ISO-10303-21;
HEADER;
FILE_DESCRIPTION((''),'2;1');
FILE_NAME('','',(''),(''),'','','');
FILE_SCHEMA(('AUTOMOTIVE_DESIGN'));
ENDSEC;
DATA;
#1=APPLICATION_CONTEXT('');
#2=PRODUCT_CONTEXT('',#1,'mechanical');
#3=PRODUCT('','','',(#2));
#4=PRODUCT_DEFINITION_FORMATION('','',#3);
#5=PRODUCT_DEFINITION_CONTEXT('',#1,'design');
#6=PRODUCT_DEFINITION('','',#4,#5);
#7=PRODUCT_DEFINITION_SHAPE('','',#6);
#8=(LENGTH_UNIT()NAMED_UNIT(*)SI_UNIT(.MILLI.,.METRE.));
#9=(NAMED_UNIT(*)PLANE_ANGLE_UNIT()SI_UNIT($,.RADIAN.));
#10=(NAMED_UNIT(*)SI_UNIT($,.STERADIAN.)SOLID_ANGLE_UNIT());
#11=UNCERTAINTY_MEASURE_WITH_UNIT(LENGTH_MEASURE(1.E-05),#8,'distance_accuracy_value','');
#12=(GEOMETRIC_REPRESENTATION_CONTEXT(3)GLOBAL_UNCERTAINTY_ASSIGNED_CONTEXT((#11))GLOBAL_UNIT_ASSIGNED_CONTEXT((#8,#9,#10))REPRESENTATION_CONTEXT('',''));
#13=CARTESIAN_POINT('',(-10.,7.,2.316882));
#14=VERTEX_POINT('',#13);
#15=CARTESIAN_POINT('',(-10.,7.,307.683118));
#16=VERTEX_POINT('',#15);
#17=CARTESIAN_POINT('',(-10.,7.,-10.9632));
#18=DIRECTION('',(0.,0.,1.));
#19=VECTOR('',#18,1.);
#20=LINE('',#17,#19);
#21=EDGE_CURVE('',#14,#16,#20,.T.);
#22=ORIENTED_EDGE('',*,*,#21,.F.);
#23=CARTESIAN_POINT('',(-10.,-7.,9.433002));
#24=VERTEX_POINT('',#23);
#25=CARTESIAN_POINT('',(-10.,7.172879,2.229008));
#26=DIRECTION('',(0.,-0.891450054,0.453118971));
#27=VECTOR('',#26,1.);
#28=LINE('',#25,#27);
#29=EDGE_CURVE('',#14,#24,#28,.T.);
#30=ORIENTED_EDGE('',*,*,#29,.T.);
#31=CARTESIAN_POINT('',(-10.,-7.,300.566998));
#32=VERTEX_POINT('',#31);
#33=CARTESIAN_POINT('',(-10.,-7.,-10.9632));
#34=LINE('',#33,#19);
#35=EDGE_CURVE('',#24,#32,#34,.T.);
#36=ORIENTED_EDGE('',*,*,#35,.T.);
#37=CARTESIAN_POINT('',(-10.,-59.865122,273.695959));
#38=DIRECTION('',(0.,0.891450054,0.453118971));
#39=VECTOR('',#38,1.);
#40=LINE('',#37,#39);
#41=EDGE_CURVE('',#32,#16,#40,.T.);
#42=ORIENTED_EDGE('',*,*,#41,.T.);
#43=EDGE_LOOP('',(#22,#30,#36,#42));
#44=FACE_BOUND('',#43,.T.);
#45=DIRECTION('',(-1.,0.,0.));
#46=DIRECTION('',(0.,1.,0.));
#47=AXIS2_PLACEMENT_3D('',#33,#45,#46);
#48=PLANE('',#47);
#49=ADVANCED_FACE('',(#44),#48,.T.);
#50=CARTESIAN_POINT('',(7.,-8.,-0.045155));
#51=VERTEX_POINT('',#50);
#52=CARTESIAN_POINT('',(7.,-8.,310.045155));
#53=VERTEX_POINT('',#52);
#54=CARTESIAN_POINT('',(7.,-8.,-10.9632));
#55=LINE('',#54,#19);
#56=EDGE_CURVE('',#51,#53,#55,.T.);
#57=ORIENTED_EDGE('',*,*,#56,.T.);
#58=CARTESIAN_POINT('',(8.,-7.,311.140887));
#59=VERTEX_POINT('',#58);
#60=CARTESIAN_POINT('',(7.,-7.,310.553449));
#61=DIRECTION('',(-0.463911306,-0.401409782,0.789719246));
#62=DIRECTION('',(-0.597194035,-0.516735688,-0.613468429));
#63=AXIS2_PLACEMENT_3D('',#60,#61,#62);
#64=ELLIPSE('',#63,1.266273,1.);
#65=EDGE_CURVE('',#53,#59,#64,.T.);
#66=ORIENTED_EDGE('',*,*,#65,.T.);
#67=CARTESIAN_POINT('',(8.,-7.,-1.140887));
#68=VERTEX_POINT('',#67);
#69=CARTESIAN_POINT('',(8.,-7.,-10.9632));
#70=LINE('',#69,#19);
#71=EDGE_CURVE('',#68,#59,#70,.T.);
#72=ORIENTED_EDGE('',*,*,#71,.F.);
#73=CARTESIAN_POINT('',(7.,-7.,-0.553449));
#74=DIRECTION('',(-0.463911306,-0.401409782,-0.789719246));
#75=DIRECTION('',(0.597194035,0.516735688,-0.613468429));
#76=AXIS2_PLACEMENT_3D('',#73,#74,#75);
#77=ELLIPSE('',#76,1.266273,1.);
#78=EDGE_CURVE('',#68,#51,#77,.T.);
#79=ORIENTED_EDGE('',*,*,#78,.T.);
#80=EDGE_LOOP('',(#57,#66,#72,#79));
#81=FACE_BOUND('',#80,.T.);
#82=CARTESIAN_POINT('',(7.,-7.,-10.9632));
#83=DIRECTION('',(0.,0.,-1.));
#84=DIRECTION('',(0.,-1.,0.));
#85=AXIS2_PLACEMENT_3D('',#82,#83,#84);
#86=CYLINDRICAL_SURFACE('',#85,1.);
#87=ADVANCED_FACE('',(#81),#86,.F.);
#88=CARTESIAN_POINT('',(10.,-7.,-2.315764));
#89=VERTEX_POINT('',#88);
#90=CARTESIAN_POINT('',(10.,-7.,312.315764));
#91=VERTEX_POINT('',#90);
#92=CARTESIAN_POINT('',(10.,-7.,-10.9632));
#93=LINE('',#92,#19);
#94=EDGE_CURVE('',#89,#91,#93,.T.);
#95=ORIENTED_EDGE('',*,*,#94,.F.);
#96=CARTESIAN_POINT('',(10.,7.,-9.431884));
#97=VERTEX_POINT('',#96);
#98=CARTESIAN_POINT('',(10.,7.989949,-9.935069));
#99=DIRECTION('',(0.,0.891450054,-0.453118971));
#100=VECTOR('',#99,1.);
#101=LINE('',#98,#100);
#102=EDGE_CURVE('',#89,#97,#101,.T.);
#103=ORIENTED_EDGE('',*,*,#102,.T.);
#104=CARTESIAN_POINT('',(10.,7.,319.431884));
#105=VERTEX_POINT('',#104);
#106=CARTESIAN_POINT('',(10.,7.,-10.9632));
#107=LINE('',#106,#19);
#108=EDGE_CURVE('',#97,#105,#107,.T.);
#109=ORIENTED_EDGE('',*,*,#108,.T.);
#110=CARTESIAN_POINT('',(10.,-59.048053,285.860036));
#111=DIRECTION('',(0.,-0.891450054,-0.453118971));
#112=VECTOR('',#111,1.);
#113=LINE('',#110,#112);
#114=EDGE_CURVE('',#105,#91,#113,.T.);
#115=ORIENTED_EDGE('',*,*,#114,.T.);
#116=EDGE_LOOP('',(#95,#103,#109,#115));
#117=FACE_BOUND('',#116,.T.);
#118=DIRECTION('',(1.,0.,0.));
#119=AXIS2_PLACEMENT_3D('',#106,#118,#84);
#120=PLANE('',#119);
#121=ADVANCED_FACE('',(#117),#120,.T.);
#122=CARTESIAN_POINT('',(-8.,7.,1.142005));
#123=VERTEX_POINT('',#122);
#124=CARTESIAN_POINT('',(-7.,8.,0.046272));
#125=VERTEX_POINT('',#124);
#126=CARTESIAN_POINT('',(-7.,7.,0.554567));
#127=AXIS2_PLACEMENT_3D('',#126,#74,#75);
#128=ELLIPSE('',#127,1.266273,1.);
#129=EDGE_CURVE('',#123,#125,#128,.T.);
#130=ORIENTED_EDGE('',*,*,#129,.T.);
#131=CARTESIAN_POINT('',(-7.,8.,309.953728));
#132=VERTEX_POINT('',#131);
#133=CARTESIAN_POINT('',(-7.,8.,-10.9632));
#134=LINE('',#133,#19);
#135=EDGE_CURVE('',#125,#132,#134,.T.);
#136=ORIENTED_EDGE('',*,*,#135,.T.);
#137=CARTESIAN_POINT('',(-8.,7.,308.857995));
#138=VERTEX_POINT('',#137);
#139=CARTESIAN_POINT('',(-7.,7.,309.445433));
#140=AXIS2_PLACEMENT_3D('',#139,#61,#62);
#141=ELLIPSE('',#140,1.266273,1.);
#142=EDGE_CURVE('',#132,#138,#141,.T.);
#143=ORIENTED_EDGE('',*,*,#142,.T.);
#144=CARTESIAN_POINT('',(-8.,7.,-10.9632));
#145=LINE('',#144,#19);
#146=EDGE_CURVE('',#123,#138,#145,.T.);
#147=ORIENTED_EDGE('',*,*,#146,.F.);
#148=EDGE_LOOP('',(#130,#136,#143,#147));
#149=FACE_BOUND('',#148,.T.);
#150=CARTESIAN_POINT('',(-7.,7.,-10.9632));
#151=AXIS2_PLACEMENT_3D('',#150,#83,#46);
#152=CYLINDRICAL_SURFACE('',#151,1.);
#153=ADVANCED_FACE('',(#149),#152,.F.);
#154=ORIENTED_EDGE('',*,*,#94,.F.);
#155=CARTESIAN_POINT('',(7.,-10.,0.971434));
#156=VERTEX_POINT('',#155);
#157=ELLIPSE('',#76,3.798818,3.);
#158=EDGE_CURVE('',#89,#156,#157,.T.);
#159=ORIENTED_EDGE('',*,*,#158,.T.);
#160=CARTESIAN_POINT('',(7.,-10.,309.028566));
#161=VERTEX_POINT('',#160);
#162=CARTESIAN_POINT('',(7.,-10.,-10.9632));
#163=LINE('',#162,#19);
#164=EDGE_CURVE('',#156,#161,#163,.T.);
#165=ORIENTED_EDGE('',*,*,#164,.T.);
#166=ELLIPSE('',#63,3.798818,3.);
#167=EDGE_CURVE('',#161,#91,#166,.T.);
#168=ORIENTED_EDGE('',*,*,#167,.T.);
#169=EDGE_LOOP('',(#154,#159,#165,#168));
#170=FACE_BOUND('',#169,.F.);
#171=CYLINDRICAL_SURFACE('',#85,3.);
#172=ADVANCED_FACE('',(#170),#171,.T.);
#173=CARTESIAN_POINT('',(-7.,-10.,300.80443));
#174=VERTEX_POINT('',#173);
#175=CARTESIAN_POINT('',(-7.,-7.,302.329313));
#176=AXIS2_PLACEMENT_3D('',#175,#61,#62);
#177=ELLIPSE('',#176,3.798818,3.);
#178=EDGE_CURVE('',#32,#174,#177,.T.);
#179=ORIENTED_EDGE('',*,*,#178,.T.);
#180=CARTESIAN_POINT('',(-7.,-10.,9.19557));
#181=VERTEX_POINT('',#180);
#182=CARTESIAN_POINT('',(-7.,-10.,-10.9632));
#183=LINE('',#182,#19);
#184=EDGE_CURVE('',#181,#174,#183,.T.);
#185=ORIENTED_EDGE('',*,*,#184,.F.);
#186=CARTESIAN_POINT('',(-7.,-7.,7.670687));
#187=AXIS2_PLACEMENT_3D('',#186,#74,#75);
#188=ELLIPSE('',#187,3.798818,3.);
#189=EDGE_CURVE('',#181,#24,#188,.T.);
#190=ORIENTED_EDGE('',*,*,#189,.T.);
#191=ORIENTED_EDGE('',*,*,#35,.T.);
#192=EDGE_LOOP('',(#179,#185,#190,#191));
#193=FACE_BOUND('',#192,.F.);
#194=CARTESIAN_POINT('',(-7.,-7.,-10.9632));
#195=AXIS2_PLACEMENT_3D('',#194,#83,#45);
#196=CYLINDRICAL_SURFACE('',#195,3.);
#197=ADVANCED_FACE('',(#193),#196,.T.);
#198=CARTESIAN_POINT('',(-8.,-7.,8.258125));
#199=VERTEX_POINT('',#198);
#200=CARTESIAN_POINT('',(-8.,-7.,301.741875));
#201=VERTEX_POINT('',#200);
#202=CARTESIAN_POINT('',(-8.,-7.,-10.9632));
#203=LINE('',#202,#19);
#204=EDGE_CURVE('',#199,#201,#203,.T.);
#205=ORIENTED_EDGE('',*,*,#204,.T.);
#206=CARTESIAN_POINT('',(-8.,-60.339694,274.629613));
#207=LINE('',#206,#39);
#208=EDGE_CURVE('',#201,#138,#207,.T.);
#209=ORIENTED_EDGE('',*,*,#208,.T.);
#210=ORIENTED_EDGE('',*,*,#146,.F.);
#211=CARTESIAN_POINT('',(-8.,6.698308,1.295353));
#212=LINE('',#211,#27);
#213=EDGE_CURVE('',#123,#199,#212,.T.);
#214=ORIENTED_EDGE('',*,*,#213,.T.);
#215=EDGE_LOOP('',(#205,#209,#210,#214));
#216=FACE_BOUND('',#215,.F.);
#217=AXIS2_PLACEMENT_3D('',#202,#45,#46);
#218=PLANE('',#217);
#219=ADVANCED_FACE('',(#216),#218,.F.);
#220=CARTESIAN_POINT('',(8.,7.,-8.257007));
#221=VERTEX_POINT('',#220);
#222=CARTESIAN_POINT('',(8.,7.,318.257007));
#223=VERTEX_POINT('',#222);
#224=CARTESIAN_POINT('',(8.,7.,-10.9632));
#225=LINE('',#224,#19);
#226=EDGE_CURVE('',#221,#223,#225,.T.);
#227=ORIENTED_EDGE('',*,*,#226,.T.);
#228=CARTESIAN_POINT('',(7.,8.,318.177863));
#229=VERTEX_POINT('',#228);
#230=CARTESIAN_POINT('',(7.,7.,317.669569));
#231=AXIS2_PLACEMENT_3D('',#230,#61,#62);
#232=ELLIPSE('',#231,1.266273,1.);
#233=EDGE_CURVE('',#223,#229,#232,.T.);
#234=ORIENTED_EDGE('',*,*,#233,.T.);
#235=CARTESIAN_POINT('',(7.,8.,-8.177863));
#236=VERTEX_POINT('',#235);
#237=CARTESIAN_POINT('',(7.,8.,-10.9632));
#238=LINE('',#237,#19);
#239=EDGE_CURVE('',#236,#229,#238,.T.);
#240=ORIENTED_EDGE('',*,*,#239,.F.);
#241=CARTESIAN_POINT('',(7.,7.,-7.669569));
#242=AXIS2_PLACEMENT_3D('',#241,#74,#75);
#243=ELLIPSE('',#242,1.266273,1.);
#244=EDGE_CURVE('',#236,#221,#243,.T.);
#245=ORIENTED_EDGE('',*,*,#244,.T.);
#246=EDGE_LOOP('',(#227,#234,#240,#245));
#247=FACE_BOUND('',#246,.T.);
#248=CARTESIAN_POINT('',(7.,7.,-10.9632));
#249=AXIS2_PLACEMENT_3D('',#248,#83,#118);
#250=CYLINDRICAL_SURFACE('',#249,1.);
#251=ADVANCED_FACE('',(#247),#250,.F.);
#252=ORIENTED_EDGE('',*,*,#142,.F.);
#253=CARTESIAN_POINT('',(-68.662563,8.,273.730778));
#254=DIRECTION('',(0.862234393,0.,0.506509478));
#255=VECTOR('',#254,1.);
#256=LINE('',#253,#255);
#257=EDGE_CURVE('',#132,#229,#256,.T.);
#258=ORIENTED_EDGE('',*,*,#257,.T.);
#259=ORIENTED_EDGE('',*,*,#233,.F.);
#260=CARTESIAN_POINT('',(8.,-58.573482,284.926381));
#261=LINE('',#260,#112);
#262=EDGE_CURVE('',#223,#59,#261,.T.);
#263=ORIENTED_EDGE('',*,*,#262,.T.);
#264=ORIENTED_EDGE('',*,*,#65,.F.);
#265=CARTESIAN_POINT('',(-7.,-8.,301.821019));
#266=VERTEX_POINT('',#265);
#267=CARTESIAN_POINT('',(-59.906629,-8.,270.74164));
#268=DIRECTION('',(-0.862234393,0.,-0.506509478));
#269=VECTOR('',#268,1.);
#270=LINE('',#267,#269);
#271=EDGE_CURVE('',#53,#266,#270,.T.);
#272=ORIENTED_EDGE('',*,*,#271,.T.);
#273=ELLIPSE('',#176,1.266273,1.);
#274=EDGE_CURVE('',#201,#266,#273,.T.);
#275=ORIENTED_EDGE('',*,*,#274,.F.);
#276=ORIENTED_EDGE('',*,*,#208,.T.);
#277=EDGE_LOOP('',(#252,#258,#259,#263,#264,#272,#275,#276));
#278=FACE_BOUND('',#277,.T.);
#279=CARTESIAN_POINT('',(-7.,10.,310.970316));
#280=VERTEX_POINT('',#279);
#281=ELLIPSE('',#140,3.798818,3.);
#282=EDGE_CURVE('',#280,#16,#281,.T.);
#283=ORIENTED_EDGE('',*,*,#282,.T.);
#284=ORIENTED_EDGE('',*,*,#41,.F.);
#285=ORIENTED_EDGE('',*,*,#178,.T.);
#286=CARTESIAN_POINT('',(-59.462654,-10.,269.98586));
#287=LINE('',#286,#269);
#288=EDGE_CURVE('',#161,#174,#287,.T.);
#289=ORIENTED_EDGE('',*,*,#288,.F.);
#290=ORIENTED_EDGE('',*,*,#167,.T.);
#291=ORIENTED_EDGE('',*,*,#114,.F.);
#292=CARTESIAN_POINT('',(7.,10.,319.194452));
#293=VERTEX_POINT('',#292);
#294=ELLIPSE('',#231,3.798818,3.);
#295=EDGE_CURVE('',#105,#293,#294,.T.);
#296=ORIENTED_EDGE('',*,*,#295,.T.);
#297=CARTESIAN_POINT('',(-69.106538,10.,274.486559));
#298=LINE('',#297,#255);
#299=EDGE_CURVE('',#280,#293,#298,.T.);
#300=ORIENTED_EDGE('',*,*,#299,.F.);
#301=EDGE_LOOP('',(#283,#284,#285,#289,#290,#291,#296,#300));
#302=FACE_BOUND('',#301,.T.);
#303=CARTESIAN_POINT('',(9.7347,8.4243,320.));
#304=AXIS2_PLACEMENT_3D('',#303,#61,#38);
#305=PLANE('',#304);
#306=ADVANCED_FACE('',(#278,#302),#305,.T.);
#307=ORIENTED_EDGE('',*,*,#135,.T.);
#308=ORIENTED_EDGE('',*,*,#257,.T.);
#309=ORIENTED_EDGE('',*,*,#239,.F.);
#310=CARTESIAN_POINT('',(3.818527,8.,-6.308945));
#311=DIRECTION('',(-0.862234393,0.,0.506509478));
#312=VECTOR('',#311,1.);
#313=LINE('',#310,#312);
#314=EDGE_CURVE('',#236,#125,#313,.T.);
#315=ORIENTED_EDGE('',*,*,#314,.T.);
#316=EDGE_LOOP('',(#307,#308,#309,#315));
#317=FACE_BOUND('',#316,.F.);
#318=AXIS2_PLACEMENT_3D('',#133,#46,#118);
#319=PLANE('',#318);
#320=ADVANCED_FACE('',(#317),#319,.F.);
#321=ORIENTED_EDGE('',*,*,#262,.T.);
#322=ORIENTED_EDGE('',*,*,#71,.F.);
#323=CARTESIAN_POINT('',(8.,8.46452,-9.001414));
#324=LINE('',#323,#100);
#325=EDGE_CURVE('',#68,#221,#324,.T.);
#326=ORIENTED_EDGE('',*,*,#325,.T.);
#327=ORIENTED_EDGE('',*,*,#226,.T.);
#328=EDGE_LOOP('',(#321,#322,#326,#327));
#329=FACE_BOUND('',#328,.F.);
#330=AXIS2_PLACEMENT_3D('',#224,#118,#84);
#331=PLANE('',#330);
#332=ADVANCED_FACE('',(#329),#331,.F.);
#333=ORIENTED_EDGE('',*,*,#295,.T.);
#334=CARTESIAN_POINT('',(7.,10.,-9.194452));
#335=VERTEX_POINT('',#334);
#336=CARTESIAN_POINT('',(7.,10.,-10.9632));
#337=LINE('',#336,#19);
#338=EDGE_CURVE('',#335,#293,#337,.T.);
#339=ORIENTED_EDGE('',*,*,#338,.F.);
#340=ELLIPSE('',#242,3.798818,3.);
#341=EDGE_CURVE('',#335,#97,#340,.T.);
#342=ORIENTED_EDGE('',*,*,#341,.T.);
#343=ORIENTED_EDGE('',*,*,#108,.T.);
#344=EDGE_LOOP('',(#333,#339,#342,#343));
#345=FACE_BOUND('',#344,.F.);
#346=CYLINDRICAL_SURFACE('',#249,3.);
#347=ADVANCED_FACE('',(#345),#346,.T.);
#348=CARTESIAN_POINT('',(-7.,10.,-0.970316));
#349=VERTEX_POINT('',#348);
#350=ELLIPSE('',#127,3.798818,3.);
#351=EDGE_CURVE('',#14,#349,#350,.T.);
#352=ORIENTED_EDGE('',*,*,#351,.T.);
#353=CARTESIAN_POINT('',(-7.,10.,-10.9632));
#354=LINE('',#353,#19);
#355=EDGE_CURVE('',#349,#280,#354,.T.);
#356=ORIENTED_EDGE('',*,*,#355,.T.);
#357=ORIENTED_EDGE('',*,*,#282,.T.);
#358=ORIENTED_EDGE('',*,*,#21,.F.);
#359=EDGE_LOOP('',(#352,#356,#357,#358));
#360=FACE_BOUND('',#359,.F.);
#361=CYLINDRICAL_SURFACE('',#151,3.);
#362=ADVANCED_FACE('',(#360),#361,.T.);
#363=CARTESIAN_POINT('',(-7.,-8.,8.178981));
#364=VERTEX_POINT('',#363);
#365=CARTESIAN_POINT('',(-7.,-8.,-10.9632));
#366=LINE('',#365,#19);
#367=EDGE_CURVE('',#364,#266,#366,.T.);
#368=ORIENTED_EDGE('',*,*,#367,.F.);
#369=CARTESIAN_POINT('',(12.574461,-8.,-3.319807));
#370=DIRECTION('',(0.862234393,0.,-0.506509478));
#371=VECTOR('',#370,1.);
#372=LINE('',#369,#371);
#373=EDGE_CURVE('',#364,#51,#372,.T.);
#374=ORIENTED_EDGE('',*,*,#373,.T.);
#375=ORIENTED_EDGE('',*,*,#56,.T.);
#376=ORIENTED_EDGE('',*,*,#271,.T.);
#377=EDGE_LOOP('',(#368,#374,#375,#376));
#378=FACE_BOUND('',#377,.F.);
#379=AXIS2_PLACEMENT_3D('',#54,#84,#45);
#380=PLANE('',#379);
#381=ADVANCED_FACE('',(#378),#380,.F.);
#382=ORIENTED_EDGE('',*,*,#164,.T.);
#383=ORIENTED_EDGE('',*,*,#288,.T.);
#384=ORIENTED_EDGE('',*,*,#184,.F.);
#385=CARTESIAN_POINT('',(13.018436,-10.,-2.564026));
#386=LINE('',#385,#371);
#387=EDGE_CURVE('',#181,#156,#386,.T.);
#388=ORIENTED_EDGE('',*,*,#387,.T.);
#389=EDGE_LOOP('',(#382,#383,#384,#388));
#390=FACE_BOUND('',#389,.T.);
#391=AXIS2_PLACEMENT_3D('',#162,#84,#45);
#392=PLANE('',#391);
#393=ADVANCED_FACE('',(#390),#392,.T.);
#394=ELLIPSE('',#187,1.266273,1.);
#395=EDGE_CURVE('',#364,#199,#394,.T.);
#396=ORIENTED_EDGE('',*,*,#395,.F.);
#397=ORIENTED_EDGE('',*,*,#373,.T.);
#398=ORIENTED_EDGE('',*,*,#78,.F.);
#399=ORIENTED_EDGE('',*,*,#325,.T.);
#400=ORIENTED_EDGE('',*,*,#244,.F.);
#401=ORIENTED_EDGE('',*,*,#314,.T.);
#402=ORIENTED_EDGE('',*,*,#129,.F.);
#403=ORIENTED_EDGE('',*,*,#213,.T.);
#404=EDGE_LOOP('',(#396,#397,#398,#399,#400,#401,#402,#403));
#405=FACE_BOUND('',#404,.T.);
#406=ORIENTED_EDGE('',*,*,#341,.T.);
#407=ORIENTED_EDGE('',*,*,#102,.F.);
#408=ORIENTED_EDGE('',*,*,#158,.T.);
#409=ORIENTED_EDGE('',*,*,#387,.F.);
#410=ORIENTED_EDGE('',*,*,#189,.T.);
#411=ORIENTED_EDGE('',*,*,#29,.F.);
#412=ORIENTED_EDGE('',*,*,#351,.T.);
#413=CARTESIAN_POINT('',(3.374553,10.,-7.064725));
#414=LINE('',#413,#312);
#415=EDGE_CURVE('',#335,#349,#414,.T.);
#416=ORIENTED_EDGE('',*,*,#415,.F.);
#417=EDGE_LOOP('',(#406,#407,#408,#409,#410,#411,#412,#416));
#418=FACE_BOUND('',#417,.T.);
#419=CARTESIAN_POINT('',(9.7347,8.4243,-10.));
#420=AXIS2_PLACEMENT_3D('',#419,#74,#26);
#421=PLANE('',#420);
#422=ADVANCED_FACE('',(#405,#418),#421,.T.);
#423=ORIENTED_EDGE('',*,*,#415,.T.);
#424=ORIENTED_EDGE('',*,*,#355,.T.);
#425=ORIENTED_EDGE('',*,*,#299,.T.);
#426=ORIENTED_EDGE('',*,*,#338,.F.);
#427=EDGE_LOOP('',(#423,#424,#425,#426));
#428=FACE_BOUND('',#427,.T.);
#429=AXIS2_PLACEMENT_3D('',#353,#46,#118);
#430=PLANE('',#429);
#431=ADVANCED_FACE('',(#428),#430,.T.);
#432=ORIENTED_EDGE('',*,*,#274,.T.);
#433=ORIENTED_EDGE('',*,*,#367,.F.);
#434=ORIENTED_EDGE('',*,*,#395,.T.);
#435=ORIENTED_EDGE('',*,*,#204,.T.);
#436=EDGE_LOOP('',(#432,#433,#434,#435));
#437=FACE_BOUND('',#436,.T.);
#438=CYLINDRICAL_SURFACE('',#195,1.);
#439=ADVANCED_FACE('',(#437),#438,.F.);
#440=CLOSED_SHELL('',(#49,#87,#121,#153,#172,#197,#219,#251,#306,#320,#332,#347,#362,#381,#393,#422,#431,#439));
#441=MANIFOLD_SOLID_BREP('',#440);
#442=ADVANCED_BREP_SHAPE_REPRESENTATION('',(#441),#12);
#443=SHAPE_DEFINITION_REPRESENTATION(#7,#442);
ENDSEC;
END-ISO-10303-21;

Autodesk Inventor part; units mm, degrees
ref_plane "Start Plane" through (0, 0, -10.9632) normal (0, 0, 1) x (1, 0, 0)
ref_plane "End Plane" through (0, 0, 320.9632) normal (0, 0, 1) x (1, 0, 0)
sketch "Sketch" plane through (0, 0, 0) normal (0, 0, 1) x (1, 0, 0)
  line L0 (-10, -7) -> (-10, 7)
  line L1 (-7, 10) -> (7, 10)
  line L2 (10, 7) -> (10, -7)
  line L3 (7, -10) -> (-7, -10)
  arc A0 (-10, -7) -> (-7, -10) centre (-7, -7) ccw
  arc A1 (-7, 10) -> (-10, 7) centre (-7, 7) ccw
  arc A2 (10, 7) -> (7, 10) centre (7, 7) ccw
  arc A3 (7, -10) -> (10, -7) centre (7, -7) ccw
  arc A4 (-7, 8) -> (-8, 7) centre (-7, 7) ccw
  line L4 (-7, 8) -> (7, 8)
  arc A5 (8, 7) -> (7, 8) centre (7, 7) ccw
  line L5 (8, 7) -> (8, -7)
  arc A6 (7, -8) -> (8, -7) centre (7, -7) ccw
  line L6 (7, -8) -> (-7, -8)
  arc A7 (-8, -7) -> (-7, -8) centre (-7, -7) ccw
  line L7 (-8, -7) -> (-8, 7)
  line L8 (0, 14.8698) -> (0, -14.8698) construction
  line L9 (-14.8698, 0) -> (14.8698, 0) construction
  dimension "d7" = 3
  dimension "d10" = 20
  dimension "d11" = 20
  dimension "d12" = 2
  dimension "d15" = 10
  dimension "d16" = 10
extrude "Body" add sketch "Sketch" along normal up to surface (331.9264 mm away) from surface at -10.9632
sketch "Sketch3" plane through (0, 0, 0) normal (0, 0, 1) x (1, 0, 0)
  line L0 (0, 0) -> (10, 0)
ref_plane "Work Plane3" through (0, 0, 0) normal (0, -1, 0) x (1, 0, 0)
sketch "Sketch4" plane through (0, 0, 0) normal (0, -1, 0) x (1, 0, 0)
  line L0 (-2, -10.9632) -> (12, -10.9632)
  line L1 (-2, 320.9632) -> (12, 320.9632)
  dimension "d18" = 331.9264
ref_plane "Work Plane6" through (9.7347, 8.4243, -10) normal (-0.4639, -0.4014, -0.7897) x (-0.0234, -0.8856, 0.4639)
split "Split3" plane through (9.7347, 8.4243, -10) removes the side toward (-0.4639, -0.4014, -0.7897)
ref_plane "Work Plane8" through (9.7347, 8.4243, 320) normal (-0.4639, -0.4014, 0.7897) x (0.8798, -0.104, 0.4639)
split "Split5" plane through (9.7347, 8.4243, 320) removes the side toward (-0.4639, -0.4014, 0.7897)
equation "\"d7\" = G_IR"
equation "\"d10\" = G_H"
equation "\"d11\" = G_W"
equation "\"d12\" = G_T"
equation "\"d15\" = 0.5 * d10"
equation "\"d16\" = 0.5 * d11"
equation "\"d3\" = G_L"
equation "\"G_W\" = 20"
equation "\"G_H\" = 20"
equation "\"G_T\" = 2"
equation "\"G_IR\" = 3"
equation "\"G_L\" = 329.98801"
equation "\"G_OFFSET_START\" = 10.9632"
equation "\"G_OFFSET_END\" = 10.9632"
equation "\"d13\" = -G_OFFSET_START"
equation "\"d14\" = G_OFFSET_END + B_L"
equation "\"B_L\" = 310"
properties part number "ISO 12633-2 - 20x20x2 - 329,99" material "Steel, Mild"
